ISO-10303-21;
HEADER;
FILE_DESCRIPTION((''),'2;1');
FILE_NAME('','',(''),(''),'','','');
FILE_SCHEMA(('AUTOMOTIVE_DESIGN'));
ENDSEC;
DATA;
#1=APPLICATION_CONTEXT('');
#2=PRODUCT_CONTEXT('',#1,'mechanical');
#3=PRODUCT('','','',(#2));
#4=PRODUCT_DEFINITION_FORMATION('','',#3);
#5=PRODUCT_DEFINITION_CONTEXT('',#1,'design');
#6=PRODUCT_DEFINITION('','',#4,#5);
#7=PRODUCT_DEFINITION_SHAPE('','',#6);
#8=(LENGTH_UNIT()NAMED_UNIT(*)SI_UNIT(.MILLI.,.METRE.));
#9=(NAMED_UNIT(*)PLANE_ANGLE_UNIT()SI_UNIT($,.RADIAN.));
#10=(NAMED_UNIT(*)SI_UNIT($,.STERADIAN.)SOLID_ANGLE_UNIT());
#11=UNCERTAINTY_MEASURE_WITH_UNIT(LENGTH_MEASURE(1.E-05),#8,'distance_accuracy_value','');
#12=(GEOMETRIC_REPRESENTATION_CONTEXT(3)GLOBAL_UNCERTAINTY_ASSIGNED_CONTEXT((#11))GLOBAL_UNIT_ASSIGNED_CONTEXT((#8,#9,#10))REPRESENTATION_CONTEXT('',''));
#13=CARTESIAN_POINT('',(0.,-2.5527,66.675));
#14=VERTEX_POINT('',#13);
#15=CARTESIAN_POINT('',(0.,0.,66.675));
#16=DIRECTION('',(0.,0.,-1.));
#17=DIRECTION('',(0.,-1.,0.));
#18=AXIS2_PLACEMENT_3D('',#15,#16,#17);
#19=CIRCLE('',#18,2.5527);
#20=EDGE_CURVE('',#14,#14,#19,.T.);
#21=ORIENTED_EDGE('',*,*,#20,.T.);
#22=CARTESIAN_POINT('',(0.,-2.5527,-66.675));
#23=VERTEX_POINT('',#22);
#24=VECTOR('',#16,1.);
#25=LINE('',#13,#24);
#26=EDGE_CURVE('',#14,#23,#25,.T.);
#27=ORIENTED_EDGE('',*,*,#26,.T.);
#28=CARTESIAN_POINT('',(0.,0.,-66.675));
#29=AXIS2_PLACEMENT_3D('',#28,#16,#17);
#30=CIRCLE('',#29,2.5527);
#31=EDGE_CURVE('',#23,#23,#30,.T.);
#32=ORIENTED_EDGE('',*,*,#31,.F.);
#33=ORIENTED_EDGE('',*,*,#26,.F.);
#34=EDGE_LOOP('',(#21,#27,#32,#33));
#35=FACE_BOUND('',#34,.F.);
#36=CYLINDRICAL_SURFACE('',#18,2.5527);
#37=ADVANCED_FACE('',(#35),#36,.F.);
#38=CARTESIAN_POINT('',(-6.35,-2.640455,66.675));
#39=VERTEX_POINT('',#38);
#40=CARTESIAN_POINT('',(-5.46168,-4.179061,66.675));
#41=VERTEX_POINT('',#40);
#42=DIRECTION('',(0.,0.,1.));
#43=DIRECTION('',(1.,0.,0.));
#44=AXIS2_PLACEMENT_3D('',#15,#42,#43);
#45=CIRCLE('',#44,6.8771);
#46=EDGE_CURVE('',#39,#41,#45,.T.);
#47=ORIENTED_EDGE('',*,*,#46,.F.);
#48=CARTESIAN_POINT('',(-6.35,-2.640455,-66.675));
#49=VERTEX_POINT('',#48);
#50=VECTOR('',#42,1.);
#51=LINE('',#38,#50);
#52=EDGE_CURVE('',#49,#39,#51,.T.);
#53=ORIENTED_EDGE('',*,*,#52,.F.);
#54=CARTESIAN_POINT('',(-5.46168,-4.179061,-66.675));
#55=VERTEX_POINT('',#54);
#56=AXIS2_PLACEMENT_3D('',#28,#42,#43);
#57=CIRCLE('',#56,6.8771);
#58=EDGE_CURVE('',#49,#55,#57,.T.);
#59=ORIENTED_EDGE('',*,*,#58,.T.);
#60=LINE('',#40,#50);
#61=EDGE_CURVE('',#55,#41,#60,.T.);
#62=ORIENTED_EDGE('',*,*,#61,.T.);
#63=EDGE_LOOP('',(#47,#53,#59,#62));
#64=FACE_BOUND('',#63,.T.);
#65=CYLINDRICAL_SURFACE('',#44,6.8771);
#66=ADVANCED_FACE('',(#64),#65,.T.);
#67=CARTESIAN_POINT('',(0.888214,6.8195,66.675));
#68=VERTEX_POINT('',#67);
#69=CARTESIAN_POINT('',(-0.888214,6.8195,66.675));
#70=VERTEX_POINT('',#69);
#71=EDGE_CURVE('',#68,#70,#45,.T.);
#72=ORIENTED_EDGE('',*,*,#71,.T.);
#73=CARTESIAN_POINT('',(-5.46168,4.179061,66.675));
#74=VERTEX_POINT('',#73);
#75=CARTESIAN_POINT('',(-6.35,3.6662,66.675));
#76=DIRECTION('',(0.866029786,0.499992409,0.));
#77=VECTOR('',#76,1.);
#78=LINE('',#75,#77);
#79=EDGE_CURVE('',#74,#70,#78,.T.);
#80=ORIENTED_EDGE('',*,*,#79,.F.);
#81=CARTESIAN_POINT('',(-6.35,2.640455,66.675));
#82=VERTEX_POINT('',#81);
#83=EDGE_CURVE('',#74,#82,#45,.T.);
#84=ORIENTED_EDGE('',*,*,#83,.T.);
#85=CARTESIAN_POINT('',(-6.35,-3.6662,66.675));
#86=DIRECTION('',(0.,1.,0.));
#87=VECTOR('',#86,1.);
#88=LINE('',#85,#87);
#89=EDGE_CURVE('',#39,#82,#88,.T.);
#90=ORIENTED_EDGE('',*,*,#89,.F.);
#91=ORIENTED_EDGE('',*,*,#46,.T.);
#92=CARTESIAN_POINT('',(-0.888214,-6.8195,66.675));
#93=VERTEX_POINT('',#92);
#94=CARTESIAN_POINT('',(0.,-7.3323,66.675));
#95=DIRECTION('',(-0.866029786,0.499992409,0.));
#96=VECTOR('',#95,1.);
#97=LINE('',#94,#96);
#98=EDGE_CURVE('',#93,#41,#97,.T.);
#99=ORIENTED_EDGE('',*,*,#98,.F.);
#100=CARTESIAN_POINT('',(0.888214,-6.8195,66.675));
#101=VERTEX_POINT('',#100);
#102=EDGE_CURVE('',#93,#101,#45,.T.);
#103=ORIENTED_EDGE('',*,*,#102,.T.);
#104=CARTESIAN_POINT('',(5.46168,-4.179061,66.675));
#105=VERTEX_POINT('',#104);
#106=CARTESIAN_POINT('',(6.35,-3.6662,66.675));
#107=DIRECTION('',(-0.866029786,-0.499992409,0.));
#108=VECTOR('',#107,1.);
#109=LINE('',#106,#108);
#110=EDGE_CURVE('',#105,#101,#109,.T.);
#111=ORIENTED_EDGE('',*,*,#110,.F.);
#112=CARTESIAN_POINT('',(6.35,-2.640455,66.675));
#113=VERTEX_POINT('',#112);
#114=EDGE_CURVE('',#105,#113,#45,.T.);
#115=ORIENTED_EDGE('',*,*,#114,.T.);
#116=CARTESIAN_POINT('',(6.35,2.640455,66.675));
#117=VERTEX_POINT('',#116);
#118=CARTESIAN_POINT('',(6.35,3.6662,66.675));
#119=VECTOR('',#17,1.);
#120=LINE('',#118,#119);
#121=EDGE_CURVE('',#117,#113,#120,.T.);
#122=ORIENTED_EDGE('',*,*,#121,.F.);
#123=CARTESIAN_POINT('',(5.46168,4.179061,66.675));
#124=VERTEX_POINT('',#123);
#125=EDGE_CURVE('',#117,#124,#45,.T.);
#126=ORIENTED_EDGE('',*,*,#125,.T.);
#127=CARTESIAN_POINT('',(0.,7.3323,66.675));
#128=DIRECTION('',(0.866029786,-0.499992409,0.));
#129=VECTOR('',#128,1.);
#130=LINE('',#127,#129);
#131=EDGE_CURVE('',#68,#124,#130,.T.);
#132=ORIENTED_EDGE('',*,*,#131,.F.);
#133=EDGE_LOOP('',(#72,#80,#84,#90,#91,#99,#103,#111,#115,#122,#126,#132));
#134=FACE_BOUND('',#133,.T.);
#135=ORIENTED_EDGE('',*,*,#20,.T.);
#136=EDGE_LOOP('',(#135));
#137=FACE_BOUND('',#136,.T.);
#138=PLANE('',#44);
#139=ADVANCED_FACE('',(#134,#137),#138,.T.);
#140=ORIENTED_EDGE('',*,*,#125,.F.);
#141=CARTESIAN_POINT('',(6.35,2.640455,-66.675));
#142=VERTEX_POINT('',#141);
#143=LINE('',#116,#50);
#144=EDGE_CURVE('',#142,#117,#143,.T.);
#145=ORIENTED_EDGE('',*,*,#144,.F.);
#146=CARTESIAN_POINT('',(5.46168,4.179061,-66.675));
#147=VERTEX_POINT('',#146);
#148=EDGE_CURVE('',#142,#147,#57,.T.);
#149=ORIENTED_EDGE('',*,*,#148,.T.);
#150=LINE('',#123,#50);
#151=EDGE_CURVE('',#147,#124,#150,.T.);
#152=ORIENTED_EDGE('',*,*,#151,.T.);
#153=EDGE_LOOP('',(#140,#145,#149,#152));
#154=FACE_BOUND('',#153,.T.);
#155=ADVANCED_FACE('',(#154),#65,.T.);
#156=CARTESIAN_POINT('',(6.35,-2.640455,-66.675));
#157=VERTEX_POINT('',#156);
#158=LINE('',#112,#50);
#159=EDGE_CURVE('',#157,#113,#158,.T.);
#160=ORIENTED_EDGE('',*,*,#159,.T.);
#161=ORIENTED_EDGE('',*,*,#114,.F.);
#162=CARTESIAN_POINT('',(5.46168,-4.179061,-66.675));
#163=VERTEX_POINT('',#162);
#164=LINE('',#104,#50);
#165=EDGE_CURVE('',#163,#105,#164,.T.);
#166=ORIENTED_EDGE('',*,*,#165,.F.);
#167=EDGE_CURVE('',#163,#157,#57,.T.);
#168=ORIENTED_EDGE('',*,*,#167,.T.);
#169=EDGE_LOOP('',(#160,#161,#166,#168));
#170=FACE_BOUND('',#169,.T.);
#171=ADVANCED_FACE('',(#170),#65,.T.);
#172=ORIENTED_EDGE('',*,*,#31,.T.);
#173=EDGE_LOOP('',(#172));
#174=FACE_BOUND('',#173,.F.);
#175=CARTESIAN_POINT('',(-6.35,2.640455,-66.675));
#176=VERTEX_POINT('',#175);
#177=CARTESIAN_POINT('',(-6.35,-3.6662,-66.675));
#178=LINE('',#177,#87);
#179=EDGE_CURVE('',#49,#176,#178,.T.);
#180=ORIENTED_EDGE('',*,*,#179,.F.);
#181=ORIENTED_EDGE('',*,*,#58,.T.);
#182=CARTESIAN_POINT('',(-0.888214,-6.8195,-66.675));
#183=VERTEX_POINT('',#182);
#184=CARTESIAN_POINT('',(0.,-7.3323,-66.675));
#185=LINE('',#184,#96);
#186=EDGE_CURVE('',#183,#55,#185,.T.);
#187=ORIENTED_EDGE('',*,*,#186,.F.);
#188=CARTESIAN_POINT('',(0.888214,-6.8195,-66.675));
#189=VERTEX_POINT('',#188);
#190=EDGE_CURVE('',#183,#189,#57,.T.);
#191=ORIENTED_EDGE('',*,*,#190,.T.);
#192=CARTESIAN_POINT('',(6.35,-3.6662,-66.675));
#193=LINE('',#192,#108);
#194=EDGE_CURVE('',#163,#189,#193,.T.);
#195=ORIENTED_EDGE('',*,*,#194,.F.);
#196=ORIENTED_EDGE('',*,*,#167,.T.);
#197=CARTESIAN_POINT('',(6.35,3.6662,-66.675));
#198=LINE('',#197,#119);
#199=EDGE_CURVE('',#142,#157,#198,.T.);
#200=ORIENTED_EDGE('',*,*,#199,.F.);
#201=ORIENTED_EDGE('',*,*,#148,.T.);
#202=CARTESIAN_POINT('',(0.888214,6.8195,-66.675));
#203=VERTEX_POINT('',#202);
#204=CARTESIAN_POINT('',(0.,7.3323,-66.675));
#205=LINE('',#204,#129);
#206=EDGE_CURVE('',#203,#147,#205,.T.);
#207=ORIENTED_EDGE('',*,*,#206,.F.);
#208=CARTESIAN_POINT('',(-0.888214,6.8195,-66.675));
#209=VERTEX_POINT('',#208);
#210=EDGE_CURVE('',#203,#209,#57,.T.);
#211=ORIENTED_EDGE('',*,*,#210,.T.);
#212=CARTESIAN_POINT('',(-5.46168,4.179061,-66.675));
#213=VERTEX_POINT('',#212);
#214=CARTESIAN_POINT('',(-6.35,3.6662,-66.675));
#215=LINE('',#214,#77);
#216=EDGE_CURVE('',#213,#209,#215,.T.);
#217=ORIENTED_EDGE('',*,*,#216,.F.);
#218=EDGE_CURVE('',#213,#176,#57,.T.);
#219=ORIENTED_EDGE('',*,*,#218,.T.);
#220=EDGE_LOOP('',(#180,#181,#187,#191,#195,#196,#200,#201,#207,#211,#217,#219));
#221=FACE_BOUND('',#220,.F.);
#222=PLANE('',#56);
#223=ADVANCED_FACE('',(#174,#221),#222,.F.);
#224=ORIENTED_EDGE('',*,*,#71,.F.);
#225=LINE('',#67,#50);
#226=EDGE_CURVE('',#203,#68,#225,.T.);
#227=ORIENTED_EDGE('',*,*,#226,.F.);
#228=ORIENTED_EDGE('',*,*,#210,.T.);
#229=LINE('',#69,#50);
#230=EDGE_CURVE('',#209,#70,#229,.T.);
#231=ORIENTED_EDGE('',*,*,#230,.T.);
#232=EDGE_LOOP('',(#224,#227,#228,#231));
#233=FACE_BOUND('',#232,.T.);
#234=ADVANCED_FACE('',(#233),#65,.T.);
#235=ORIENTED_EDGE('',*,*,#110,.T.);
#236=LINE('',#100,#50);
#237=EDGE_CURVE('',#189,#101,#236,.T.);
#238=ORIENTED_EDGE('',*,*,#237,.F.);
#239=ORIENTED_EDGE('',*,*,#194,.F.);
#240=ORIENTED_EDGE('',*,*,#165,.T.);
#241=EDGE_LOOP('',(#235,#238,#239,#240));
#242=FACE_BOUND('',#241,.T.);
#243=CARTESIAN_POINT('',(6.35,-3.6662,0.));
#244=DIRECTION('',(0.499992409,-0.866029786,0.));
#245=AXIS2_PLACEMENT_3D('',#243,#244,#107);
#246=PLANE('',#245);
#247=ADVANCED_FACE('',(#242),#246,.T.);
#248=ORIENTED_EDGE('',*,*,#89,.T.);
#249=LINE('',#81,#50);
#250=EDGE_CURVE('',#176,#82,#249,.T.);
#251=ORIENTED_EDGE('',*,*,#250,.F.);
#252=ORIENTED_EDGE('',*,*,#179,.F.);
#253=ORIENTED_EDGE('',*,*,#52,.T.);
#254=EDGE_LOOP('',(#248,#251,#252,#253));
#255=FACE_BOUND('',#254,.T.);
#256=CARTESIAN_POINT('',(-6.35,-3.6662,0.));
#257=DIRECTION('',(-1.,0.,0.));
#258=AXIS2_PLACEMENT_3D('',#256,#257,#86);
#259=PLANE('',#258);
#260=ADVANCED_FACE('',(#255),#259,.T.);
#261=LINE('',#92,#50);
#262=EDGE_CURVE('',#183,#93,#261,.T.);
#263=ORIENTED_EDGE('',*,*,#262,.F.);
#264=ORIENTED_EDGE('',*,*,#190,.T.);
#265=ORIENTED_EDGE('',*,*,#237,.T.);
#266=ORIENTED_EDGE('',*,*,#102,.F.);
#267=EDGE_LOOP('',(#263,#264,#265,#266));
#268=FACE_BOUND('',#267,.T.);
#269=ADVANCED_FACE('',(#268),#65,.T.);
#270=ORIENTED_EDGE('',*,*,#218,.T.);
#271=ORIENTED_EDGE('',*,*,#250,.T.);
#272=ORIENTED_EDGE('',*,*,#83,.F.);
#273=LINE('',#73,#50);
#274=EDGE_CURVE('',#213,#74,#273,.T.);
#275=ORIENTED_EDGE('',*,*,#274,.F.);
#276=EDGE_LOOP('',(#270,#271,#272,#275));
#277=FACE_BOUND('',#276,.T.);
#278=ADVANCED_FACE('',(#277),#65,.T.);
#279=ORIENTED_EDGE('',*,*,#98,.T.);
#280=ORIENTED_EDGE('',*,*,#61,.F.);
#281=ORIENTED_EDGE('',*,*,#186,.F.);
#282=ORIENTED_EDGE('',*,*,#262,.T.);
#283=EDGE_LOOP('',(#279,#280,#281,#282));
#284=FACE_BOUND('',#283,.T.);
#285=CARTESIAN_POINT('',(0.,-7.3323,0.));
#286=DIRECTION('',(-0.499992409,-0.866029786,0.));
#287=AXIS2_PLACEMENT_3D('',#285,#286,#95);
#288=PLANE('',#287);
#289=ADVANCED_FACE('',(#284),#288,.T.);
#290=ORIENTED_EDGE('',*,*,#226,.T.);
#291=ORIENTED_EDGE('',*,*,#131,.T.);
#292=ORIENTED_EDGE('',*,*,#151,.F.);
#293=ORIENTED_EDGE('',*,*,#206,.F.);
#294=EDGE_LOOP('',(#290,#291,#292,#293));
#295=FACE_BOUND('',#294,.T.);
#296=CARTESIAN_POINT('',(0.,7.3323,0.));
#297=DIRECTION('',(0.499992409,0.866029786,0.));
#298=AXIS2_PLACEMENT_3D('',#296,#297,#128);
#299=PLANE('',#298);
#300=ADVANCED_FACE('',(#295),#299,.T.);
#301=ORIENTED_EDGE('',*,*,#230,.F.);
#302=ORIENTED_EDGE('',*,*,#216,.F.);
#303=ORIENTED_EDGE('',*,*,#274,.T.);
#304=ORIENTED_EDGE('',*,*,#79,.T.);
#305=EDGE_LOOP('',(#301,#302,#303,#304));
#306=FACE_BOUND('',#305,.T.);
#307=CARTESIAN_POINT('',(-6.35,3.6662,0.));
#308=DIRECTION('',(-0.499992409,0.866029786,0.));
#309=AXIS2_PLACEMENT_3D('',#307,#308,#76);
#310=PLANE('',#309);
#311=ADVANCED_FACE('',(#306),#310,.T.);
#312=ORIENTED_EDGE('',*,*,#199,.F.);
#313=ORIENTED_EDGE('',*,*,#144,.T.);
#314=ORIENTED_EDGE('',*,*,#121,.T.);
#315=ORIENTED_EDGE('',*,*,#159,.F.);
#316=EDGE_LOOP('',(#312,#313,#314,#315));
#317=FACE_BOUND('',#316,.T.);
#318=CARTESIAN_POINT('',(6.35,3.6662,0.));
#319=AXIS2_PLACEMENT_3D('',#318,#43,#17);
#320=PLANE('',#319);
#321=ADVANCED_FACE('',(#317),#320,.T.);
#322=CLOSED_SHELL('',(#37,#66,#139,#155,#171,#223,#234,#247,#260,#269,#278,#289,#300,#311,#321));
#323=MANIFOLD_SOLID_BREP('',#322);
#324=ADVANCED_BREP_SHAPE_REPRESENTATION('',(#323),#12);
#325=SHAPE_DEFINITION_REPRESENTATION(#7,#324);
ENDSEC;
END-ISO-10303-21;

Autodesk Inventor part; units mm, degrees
ref_plane "YZ Plane" through (0, 0, 0) normal (1, 0, 0) x (0, 1, 0)
ref_plane "XZ Plane" through (0, 0, 0) normal (0, 1, 0) x (-1, 0, 0)
ref_plane "XY Plane" through (0, 0, 0) normal (0, 0, 1) x (1, 0, 0)
sketch "Sketch1" plane through (0, 0, 0) normal (0, 0, 1) x (1, 0, 0)
  line L0 (-6.35, -3.6662) -> (-6.35, 3.6662)
  line L1 (-6.35, 3.6662) -> (0, 7.3323)
  line L2 (0, 7.3323) -> (6.35, 3.6662)
  line L3 (6.35, 3.6662) -> (6.35, -3.6662)
  line L4 (6.35, -3.6662) -> (0, -7.3323)
  line L5 (0, -7.3323) -> (-6.35, -3.6662)
  point P0 (0, 0)
  point P1 (0, 0)
  dimension "Size" = 12.7
extrude "Extrusion1" add sketch "Sketch1" along normal mid plane 133.35
sketch "Sketch3" plane through (0, 0, 66.675) normal (0, 0, 1) x (1, 0, 0)
  line L0 (-6.35, 3.6662) -> (0, 7.3323) construction
  line L1 (0, 7.3323) -> (6.35, 3.6662) construction
  line L2 (6.35, 3.6662) -> (6.35, -3.6662) construction
  line L3 (6.35, -3.6662) -> (0, -7.3323) construction
  line L4 (0, -7.3323) -> (-6.35, -3.6662) construction
  line L5 (-6.35, -3.6662) -> (-6.35, 3.6662) construction
  point P0 (0, 0)
hole "Hole1" at (0, 0, 66.675) direction (0, 0, -1) diameter 5.1054 end through all
sketch "Sketch4" plane through (0, 0, 66.675) normal (0, 0, 1) x (1, 0, 0)
  circle A0 centre (0, 0) radius 2.5527 construction
  line L0 (-6.35, 3.6662) -> (0, 7.3323) construction
  line L1 (0, 7.3323) -> (6.35, 3.6662) construction
  line L2 (6.35, 3.6662) -> (6.35, -3.6662) construction
  line L3 (6.35, -3.6662) -> (0, -7.3323) construction
  line L4 (0, -7.3323) -> (-6.35, -3.6662) construction
  line L5 (-6.35, -3.6662) -> (-6.35, 3.6662) construction
  circle A1 centre (0, 0) radius 6.8771
  circle A2 centre (0, 0) radius 8.89
  dimension "thunder" = 13.7541
  dimension "d16" = 17.78
extrude "Extrusion3" cut sketch "Sketch4" against normal through all
equation "\"bearing\" = 25.4"
properties part number "GP10-009" material "Aluminum 6061"
